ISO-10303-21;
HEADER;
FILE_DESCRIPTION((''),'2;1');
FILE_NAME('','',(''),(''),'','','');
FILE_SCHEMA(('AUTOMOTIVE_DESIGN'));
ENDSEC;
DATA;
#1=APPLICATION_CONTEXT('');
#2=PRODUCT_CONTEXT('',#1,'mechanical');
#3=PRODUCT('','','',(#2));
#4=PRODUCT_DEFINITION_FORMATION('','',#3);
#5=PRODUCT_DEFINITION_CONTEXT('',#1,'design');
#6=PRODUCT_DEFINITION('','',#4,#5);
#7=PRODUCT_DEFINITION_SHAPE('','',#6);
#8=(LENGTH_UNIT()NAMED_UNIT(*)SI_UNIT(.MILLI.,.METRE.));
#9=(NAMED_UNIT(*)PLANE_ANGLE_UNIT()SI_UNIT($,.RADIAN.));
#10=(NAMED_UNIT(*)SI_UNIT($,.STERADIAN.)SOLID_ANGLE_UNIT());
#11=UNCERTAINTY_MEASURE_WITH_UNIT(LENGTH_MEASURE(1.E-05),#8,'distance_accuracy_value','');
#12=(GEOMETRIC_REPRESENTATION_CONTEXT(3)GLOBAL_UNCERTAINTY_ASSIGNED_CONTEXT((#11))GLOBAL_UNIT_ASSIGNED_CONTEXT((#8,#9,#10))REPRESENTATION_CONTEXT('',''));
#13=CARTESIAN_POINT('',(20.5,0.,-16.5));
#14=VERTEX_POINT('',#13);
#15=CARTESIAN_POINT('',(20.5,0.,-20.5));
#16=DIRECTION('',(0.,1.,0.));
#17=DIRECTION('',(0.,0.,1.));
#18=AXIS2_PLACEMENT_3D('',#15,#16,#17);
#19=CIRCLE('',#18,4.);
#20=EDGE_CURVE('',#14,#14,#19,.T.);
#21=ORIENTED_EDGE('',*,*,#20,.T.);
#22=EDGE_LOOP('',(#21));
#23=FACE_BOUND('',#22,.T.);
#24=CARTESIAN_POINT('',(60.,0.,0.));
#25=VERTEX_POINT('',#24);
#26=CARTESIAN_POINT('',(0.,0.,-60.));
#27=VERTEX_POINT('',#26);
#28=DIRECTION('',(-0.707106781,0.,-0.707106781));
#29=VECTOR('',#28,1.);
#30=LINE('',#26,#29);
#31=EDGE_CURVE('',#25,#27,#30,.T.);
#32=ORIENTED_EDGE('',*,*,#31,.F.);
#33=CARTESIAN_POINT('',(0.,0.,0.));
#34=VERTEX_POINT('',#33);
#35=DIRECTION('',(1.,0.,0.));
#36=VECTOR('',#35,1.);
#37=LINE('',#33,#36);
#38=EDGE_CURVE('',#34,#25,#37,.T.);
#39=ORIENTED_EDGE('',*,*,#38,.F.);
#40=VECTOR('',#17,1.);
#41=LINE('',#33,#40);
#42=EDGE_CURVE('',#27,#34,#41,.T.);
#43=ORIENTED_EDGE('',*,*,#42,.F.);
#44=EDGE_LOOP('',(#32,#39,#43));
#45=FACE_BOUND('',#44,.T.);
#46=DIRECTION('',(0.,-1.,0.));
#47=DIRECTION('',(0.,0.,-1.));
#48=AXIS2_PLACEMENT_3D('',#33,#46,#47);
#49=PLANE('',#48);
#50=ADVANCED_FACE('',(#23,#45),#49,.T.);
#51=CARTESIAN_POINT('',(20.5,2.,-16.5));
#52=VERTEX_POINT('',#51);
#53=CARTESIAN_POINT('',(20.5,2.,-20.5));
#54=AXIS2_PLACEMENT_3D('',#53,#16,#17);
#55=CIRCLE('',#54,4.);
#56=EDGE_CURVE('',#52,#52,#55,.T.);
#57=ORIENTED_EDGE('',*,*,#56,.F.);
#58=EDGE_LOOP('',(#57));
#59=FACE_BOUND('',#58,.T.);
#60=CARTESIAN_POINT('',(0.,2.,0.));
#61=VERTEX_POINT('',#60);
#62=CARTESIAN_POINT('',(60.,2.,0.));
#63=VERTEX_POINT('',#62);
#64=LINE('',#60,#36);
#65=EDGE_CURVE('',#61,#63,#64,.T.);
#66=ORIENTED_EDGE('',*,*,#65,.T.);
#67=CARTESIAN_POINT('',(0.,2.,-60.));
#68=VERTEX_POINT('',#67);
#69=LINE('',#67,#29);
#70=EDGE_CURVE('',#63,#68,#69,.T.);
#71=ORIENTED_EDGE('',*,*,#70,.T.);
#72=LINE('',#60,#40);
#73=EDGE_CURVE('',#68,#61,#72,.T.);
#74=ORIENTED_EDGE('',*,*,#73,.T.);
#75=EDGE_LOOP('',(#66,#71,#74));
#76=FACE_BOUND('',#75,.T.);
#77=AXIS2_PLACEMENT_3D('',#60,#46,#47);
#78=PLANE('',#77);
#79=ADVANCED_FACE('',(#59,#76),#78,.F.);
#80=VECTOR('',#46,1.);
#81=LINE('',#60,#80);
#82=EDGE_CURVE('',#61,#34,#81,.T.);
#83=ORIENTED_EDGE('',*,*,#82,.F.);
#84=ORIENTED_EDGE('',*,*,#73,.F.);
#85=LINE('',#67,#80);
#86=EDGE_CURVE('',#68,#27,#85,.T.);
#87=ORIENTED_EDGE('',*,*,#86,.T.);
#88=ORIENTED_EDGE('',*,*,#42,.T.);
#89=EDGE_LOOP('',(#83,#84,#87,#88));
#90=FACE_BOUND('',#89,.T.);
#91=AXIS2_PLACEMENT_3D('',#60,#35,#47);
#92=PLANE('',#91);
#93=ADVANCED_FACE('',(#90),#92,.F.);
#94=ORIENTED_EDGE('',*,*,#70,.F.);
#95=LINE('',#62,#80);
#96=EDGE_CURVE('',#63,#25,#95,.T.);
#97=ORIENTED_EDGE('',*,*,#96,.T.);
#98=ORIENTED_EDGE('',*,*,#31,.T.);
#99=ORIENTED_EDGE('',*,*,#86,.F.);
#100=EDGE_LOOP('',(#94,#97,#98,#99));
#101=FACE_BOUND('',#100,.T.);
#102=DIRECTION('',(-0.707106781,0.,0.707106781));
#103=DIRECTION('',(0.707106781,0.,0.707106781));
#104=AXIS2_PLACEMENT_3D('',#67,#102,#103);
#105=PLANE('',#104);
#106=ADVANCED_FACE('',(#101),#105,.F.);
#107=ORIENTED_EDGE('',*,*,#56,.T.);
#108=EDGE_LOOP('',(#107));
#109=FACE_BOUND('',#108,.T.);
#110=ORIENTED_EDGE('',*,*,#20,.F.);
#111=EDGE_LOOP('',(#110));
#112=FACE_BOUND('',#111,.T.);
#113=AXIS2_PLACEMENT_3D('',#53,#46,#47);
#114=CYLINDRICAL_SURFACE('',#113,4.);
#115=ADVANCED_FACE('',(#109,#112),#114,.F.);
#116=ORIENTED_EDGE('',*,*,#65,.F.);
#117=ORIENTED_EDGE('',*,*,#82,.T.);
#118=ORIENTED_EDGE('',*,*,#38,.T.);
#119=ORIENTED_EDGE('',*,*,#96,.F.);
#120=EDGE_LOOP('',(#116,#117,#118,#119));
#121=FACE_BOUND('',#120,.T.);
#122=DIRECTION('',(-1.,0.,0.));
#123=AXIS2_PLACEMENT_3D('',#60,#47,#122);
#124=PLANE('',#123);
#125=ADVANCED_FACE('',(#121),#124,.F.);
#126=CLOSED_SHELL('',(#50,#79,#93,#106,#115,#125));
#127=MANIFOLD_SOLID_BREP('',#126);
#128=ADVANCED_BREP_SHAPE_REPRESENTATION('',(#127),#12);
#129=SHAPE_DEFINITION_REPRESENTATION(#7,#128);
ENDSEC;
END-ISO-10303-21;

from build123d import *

# Parameters (mm, degrees)
SKETCH1_R           = 4
BOSS_EXTRUDE1_DEPTH = 2


with BuildPart() as part:
    # Sketch1 → Boss-Extrude1 (new body)
    with BuildSketch(Plane(origin=(0, 0, 0), x_dir=(1, 0, 0), z_dir=(0, 1, 0))):
        Polygon((0, 0), (60, 0), (0, 60), align=None)
        with Locations(Location((20.5, 20.5, 0), (0, 0, 270))):
            Circle(SKETCH1_R, mode=Mode.SUBTRACT)
    extrude(amount=BOSS_EXTRUDE1_DEPTH)


solid = part.part
